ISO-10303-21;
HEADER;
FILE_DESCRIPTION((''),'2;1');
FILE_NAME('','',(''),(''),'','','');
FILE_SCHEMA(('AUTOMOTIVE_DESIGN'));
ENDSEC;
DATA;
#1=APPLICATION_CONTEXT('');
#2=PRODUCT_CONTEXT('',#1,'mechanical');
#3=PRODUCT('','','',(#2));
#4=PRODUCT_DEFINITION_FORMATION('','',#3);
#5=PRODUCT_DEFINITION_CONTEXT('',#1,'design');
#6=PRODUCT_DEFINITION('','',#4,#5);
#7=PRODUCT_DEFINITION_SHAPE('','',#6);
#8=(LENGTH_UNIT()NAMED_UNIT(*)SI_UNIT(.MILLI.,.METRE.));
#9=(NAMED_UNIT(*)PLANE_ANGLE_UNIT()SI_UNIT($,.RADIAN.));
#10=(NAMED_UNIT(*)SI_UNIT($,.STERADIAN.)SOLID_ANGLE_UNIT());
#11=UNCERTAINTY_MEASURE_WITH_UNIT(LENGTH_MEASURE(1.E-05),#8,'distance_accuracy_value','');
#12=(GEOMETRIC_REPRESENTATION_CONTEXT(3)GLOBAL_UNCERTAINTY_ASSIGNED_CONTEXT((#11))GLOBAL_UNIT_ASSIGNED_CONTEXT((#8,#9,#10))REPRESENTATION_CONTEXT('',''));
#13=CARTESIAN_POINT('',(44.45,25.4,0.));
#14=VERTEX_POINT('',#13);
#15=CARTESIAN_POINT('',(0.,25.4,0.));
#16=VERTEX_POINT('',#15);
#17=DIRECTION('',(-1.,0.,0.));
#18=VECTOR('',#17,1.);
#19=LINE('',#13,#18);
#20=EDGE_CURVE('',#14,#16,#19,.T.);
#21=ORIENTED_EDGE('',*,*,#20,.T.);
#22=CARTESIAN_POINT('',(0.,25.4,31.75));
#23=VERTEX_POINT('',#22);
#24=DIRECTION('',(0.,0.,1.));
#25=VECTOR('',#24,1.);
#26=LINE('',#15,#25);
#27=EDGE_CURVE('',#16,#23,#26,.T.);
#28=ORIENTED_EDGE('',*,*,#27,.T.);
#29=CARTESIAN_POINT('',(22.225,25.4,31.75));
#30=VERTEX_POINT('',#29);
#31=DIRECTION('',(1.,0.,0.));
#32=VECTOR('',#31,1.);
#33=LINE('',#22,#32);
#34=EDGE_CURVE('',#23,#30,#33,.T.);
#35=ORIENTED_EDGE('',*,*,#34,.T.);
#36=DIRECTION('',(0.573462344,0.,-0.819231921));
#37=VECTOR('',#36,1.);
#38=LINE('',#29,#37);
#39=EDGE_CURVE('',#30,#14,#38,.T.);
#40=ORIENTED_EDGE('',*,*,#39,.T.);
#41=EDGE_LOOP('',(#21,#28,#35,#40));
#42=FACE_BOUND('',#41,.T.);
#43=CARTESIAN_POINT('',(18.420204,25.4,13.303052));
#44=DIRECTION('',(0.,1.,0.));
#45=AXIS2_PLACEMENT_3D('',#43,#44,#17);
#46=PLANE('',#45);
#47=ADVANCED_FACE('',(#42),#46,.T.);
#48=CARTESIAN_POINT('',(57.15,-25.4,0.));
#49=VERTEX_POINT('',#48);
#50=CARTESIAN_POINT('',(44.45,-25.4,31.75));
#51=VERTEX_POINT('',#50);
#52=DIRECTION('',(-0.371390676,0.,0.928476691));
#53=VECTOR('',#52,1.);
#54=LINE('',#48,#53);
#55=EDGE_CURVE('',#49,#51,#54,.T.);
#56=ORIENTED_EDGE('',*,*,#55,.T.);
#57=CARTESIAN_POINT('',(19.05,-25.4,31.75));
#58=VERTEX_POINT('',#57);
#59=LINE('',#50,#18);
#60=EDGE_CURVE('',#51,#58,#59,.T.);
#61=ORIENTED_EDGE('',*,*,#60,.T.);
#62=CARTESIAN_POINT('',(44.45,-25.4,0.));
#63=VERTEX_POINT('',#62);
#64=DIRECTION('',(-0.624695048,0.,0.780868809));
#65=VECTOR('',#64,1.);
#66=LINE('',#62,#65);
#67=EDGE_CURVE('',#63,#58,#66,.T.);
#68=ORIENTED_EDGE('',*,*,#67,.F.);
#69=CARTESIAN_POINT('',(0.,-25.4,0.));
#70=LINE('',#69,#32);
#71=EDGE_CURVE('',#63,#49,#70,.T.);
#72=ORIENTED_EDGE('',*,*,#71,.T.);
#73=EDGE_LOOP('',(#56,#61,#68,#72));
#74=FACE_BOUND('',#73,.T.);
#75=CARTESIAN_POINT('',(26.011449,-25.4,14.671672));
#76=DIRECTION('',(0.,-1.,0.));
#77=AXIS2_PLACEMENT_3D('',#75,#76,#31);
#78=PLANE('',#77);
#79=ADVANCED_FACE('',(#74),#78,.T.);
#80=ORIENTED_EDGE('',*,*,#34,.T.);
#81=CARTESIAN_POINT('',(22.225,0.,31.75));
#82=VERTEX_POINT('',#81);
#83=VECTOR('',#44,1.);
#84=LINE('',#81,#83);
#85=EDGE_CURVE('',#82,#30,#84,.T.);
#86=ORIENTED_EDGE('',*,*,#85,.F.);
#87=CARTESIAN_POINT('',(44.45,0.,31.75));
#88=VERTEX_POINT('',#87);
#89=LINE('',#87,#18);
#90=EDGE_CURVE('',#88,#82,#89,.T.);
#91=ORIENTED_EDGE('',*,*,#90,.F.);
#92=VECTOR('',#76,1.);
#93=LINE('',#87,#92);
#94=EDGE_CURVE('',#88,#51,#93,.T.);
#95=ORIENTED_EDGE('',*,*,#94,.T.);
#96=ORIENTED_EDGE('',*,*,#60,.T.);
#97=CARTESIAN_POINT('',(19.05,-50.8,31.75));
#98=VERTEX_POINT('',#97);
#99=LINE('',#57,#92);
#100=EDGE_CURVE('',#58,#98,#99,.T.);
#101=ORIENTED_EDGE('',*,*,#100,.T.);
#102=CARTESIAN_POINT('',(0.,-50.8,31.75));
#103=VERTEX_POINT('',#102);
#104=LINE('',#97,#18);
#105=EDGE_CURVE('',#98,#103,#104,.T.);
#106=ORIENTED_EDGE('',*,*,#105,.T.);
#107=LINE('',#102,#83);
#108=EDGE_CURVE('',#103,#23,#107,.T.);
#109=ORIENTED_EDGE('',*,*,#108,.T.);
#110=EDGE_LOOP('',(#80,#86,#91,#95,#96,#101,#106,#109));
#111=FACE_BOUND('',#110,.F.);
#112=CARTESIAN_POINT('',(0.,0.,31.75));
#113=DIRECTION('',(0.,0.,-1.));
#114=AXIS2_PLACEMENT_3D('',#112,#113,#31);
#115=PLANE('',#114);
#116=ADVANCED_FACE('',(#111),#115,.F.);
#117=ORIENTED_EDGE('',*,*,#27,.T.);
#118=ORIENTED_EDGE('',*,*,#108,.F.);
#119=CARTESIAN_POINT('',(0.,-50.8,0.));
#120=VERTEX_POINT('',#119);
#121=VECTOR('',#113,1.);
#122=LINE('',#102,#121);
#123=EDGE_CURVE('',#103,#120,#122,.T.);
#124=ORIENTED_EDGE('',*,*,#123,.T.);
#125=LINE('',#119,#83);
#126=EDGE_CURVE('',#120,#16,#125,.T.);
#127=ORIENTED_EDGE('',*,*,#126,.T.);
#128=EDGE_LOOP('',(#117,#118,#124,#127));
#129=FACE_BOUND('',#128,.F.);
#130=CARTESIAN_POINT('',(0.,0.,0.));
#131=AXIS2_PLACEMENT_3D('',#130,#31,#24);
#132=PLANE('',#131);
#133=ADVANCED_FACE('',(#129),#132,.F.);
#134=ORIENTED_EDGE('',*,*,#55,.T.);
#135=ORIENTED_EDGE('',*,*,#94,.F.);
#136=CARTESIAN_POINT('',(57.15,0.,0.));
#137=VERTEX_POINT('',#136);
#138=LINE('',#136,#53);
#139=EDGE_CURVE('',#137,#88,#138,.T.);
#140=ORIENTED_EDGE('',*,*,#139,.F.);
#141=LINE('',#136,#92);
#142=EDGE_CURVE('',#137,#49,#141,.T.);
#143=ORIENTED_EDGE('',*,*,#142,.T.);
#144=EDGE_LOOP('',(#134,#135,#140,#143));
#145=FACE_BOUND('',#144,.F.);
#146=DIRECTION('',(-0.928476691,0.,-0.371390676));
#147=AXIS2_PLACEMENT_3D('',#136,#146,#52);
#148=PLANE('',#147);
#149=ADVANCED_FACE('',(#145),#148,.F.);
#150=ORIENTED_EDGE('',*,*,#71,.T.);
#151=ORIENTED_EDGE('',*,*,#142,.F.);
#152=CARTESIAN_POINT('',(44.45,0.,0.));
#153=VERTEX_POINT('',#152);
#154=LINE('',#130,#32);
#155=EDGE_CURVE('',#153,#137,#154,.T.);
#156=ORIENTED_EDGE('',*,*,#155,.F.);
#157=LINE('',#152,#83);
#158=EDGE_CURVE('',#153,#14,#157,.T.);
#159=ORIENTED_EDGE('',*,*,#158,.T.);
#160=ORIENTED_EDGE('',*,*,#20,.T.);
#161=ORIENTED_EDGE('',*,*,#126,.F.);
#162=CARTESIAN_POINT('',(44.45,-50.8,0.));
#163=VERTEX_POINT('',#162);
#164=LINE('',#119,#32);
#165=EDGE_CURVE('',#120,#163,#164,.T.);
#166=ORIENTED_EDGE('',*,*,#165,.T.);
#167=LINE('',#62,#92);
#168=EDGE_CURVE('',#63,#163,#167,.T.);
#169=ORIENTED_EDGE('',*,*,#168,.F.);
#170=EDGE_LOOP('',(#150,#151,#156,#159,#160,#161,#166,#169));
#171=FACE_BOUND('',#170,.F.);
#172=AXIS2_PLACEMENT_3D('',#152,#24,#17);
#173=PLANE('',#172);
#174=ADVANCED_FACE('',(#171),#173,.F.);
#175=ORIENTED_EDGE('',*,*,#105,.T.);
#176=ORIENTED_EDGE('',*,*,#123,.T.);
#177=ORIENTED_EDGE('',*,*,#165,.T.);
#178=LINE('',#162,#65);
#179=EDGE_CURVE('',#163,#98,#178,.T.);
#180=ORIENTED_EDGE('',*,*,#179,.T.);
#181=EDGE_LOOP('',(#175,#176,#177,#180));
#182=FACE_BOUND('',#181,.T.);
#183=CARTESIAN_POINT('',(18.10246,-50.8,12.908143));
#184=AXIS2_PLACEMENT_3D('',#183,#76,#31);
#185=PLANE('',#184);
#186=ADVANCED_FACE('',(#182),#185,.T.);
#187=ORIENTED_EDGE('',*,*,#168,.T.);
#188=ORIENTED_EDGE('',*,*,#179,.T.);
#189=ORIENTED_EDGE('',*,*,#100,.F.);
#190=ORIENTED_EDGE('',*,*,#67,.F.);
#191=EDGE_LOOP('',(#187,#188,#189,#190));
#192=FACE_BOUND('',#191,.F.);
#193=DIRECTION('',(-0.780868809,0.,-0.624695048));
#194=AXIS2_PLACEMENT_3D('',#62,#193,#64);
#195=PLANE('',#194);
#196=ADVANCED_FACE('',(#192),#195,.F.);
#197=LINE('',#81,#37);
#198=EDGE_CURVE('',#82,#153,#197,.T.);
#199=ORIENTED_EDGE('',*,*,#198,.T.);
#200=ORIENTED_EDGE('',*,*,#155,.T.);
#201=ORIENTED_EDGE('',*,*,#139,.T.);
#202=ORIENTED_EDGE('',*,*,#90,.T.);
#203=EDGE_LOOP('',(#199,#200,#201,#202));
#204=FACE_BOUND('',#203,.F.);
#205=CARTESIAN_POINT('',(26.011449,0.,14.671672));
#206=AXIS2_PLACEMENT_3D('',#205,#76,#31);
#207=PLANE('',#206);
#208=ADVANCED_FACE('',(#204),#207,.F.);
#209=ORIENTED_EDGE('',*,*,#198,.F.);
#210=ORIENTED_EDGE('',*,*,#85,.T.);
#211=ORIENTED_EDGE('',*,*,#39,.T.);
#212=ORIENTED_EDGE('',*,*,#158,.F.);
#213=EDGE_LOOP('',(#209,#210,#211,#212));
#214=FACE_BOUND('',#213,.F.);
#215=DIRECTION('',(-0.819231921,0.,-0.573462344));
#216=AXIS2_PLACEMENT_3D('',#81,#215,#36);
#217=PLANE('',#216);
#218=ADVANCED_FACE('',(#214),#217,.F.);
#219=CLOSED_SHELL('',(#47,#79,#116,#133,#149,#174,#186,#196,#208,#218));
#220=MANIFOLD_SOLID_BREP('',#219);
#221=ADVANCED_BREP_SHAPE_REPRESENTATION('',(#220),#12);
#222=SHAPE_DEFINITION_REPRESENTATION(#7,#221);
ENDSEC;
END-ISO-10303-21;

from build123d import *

# Parameters (mm, degrees)
F1_DEPTH = 25.4
F3_DEPTH = 25.4
F5_DEPTH = 25.4


with BuildPart() as f1:
    # F0 (on Front) → F1 (new body)
    with BuildSketch(Plane.XZ):
        Polygon((0, 31.75), (0, 0), (57.15, 0), (44.45, 31.75), align=None)
    extrude(amount=F1_DEPTH)

    # F2 (on face) → F3 (join)
    with BuildSketch(Plane.XZ.offset(25.4)):
        Polygon((0, 31.75), (0, 0), (44.45, 0), (19.05, 31.75), align=None)
    extrude(amount=F3_DEPTH)

    # F4 (on face) → F5 (join)
    with BuildSketch(Plane(origin=(0, 0, 0), x_dir=(-1, 0, 0), z_dir=(0, 1, 0))):
        Polygon((-44.45, 0), (0, 0), (0, 31.75), (-22.225, 31.75), align=None)
    extrude(amount=F5_DEPTH)


solid = f1.part
